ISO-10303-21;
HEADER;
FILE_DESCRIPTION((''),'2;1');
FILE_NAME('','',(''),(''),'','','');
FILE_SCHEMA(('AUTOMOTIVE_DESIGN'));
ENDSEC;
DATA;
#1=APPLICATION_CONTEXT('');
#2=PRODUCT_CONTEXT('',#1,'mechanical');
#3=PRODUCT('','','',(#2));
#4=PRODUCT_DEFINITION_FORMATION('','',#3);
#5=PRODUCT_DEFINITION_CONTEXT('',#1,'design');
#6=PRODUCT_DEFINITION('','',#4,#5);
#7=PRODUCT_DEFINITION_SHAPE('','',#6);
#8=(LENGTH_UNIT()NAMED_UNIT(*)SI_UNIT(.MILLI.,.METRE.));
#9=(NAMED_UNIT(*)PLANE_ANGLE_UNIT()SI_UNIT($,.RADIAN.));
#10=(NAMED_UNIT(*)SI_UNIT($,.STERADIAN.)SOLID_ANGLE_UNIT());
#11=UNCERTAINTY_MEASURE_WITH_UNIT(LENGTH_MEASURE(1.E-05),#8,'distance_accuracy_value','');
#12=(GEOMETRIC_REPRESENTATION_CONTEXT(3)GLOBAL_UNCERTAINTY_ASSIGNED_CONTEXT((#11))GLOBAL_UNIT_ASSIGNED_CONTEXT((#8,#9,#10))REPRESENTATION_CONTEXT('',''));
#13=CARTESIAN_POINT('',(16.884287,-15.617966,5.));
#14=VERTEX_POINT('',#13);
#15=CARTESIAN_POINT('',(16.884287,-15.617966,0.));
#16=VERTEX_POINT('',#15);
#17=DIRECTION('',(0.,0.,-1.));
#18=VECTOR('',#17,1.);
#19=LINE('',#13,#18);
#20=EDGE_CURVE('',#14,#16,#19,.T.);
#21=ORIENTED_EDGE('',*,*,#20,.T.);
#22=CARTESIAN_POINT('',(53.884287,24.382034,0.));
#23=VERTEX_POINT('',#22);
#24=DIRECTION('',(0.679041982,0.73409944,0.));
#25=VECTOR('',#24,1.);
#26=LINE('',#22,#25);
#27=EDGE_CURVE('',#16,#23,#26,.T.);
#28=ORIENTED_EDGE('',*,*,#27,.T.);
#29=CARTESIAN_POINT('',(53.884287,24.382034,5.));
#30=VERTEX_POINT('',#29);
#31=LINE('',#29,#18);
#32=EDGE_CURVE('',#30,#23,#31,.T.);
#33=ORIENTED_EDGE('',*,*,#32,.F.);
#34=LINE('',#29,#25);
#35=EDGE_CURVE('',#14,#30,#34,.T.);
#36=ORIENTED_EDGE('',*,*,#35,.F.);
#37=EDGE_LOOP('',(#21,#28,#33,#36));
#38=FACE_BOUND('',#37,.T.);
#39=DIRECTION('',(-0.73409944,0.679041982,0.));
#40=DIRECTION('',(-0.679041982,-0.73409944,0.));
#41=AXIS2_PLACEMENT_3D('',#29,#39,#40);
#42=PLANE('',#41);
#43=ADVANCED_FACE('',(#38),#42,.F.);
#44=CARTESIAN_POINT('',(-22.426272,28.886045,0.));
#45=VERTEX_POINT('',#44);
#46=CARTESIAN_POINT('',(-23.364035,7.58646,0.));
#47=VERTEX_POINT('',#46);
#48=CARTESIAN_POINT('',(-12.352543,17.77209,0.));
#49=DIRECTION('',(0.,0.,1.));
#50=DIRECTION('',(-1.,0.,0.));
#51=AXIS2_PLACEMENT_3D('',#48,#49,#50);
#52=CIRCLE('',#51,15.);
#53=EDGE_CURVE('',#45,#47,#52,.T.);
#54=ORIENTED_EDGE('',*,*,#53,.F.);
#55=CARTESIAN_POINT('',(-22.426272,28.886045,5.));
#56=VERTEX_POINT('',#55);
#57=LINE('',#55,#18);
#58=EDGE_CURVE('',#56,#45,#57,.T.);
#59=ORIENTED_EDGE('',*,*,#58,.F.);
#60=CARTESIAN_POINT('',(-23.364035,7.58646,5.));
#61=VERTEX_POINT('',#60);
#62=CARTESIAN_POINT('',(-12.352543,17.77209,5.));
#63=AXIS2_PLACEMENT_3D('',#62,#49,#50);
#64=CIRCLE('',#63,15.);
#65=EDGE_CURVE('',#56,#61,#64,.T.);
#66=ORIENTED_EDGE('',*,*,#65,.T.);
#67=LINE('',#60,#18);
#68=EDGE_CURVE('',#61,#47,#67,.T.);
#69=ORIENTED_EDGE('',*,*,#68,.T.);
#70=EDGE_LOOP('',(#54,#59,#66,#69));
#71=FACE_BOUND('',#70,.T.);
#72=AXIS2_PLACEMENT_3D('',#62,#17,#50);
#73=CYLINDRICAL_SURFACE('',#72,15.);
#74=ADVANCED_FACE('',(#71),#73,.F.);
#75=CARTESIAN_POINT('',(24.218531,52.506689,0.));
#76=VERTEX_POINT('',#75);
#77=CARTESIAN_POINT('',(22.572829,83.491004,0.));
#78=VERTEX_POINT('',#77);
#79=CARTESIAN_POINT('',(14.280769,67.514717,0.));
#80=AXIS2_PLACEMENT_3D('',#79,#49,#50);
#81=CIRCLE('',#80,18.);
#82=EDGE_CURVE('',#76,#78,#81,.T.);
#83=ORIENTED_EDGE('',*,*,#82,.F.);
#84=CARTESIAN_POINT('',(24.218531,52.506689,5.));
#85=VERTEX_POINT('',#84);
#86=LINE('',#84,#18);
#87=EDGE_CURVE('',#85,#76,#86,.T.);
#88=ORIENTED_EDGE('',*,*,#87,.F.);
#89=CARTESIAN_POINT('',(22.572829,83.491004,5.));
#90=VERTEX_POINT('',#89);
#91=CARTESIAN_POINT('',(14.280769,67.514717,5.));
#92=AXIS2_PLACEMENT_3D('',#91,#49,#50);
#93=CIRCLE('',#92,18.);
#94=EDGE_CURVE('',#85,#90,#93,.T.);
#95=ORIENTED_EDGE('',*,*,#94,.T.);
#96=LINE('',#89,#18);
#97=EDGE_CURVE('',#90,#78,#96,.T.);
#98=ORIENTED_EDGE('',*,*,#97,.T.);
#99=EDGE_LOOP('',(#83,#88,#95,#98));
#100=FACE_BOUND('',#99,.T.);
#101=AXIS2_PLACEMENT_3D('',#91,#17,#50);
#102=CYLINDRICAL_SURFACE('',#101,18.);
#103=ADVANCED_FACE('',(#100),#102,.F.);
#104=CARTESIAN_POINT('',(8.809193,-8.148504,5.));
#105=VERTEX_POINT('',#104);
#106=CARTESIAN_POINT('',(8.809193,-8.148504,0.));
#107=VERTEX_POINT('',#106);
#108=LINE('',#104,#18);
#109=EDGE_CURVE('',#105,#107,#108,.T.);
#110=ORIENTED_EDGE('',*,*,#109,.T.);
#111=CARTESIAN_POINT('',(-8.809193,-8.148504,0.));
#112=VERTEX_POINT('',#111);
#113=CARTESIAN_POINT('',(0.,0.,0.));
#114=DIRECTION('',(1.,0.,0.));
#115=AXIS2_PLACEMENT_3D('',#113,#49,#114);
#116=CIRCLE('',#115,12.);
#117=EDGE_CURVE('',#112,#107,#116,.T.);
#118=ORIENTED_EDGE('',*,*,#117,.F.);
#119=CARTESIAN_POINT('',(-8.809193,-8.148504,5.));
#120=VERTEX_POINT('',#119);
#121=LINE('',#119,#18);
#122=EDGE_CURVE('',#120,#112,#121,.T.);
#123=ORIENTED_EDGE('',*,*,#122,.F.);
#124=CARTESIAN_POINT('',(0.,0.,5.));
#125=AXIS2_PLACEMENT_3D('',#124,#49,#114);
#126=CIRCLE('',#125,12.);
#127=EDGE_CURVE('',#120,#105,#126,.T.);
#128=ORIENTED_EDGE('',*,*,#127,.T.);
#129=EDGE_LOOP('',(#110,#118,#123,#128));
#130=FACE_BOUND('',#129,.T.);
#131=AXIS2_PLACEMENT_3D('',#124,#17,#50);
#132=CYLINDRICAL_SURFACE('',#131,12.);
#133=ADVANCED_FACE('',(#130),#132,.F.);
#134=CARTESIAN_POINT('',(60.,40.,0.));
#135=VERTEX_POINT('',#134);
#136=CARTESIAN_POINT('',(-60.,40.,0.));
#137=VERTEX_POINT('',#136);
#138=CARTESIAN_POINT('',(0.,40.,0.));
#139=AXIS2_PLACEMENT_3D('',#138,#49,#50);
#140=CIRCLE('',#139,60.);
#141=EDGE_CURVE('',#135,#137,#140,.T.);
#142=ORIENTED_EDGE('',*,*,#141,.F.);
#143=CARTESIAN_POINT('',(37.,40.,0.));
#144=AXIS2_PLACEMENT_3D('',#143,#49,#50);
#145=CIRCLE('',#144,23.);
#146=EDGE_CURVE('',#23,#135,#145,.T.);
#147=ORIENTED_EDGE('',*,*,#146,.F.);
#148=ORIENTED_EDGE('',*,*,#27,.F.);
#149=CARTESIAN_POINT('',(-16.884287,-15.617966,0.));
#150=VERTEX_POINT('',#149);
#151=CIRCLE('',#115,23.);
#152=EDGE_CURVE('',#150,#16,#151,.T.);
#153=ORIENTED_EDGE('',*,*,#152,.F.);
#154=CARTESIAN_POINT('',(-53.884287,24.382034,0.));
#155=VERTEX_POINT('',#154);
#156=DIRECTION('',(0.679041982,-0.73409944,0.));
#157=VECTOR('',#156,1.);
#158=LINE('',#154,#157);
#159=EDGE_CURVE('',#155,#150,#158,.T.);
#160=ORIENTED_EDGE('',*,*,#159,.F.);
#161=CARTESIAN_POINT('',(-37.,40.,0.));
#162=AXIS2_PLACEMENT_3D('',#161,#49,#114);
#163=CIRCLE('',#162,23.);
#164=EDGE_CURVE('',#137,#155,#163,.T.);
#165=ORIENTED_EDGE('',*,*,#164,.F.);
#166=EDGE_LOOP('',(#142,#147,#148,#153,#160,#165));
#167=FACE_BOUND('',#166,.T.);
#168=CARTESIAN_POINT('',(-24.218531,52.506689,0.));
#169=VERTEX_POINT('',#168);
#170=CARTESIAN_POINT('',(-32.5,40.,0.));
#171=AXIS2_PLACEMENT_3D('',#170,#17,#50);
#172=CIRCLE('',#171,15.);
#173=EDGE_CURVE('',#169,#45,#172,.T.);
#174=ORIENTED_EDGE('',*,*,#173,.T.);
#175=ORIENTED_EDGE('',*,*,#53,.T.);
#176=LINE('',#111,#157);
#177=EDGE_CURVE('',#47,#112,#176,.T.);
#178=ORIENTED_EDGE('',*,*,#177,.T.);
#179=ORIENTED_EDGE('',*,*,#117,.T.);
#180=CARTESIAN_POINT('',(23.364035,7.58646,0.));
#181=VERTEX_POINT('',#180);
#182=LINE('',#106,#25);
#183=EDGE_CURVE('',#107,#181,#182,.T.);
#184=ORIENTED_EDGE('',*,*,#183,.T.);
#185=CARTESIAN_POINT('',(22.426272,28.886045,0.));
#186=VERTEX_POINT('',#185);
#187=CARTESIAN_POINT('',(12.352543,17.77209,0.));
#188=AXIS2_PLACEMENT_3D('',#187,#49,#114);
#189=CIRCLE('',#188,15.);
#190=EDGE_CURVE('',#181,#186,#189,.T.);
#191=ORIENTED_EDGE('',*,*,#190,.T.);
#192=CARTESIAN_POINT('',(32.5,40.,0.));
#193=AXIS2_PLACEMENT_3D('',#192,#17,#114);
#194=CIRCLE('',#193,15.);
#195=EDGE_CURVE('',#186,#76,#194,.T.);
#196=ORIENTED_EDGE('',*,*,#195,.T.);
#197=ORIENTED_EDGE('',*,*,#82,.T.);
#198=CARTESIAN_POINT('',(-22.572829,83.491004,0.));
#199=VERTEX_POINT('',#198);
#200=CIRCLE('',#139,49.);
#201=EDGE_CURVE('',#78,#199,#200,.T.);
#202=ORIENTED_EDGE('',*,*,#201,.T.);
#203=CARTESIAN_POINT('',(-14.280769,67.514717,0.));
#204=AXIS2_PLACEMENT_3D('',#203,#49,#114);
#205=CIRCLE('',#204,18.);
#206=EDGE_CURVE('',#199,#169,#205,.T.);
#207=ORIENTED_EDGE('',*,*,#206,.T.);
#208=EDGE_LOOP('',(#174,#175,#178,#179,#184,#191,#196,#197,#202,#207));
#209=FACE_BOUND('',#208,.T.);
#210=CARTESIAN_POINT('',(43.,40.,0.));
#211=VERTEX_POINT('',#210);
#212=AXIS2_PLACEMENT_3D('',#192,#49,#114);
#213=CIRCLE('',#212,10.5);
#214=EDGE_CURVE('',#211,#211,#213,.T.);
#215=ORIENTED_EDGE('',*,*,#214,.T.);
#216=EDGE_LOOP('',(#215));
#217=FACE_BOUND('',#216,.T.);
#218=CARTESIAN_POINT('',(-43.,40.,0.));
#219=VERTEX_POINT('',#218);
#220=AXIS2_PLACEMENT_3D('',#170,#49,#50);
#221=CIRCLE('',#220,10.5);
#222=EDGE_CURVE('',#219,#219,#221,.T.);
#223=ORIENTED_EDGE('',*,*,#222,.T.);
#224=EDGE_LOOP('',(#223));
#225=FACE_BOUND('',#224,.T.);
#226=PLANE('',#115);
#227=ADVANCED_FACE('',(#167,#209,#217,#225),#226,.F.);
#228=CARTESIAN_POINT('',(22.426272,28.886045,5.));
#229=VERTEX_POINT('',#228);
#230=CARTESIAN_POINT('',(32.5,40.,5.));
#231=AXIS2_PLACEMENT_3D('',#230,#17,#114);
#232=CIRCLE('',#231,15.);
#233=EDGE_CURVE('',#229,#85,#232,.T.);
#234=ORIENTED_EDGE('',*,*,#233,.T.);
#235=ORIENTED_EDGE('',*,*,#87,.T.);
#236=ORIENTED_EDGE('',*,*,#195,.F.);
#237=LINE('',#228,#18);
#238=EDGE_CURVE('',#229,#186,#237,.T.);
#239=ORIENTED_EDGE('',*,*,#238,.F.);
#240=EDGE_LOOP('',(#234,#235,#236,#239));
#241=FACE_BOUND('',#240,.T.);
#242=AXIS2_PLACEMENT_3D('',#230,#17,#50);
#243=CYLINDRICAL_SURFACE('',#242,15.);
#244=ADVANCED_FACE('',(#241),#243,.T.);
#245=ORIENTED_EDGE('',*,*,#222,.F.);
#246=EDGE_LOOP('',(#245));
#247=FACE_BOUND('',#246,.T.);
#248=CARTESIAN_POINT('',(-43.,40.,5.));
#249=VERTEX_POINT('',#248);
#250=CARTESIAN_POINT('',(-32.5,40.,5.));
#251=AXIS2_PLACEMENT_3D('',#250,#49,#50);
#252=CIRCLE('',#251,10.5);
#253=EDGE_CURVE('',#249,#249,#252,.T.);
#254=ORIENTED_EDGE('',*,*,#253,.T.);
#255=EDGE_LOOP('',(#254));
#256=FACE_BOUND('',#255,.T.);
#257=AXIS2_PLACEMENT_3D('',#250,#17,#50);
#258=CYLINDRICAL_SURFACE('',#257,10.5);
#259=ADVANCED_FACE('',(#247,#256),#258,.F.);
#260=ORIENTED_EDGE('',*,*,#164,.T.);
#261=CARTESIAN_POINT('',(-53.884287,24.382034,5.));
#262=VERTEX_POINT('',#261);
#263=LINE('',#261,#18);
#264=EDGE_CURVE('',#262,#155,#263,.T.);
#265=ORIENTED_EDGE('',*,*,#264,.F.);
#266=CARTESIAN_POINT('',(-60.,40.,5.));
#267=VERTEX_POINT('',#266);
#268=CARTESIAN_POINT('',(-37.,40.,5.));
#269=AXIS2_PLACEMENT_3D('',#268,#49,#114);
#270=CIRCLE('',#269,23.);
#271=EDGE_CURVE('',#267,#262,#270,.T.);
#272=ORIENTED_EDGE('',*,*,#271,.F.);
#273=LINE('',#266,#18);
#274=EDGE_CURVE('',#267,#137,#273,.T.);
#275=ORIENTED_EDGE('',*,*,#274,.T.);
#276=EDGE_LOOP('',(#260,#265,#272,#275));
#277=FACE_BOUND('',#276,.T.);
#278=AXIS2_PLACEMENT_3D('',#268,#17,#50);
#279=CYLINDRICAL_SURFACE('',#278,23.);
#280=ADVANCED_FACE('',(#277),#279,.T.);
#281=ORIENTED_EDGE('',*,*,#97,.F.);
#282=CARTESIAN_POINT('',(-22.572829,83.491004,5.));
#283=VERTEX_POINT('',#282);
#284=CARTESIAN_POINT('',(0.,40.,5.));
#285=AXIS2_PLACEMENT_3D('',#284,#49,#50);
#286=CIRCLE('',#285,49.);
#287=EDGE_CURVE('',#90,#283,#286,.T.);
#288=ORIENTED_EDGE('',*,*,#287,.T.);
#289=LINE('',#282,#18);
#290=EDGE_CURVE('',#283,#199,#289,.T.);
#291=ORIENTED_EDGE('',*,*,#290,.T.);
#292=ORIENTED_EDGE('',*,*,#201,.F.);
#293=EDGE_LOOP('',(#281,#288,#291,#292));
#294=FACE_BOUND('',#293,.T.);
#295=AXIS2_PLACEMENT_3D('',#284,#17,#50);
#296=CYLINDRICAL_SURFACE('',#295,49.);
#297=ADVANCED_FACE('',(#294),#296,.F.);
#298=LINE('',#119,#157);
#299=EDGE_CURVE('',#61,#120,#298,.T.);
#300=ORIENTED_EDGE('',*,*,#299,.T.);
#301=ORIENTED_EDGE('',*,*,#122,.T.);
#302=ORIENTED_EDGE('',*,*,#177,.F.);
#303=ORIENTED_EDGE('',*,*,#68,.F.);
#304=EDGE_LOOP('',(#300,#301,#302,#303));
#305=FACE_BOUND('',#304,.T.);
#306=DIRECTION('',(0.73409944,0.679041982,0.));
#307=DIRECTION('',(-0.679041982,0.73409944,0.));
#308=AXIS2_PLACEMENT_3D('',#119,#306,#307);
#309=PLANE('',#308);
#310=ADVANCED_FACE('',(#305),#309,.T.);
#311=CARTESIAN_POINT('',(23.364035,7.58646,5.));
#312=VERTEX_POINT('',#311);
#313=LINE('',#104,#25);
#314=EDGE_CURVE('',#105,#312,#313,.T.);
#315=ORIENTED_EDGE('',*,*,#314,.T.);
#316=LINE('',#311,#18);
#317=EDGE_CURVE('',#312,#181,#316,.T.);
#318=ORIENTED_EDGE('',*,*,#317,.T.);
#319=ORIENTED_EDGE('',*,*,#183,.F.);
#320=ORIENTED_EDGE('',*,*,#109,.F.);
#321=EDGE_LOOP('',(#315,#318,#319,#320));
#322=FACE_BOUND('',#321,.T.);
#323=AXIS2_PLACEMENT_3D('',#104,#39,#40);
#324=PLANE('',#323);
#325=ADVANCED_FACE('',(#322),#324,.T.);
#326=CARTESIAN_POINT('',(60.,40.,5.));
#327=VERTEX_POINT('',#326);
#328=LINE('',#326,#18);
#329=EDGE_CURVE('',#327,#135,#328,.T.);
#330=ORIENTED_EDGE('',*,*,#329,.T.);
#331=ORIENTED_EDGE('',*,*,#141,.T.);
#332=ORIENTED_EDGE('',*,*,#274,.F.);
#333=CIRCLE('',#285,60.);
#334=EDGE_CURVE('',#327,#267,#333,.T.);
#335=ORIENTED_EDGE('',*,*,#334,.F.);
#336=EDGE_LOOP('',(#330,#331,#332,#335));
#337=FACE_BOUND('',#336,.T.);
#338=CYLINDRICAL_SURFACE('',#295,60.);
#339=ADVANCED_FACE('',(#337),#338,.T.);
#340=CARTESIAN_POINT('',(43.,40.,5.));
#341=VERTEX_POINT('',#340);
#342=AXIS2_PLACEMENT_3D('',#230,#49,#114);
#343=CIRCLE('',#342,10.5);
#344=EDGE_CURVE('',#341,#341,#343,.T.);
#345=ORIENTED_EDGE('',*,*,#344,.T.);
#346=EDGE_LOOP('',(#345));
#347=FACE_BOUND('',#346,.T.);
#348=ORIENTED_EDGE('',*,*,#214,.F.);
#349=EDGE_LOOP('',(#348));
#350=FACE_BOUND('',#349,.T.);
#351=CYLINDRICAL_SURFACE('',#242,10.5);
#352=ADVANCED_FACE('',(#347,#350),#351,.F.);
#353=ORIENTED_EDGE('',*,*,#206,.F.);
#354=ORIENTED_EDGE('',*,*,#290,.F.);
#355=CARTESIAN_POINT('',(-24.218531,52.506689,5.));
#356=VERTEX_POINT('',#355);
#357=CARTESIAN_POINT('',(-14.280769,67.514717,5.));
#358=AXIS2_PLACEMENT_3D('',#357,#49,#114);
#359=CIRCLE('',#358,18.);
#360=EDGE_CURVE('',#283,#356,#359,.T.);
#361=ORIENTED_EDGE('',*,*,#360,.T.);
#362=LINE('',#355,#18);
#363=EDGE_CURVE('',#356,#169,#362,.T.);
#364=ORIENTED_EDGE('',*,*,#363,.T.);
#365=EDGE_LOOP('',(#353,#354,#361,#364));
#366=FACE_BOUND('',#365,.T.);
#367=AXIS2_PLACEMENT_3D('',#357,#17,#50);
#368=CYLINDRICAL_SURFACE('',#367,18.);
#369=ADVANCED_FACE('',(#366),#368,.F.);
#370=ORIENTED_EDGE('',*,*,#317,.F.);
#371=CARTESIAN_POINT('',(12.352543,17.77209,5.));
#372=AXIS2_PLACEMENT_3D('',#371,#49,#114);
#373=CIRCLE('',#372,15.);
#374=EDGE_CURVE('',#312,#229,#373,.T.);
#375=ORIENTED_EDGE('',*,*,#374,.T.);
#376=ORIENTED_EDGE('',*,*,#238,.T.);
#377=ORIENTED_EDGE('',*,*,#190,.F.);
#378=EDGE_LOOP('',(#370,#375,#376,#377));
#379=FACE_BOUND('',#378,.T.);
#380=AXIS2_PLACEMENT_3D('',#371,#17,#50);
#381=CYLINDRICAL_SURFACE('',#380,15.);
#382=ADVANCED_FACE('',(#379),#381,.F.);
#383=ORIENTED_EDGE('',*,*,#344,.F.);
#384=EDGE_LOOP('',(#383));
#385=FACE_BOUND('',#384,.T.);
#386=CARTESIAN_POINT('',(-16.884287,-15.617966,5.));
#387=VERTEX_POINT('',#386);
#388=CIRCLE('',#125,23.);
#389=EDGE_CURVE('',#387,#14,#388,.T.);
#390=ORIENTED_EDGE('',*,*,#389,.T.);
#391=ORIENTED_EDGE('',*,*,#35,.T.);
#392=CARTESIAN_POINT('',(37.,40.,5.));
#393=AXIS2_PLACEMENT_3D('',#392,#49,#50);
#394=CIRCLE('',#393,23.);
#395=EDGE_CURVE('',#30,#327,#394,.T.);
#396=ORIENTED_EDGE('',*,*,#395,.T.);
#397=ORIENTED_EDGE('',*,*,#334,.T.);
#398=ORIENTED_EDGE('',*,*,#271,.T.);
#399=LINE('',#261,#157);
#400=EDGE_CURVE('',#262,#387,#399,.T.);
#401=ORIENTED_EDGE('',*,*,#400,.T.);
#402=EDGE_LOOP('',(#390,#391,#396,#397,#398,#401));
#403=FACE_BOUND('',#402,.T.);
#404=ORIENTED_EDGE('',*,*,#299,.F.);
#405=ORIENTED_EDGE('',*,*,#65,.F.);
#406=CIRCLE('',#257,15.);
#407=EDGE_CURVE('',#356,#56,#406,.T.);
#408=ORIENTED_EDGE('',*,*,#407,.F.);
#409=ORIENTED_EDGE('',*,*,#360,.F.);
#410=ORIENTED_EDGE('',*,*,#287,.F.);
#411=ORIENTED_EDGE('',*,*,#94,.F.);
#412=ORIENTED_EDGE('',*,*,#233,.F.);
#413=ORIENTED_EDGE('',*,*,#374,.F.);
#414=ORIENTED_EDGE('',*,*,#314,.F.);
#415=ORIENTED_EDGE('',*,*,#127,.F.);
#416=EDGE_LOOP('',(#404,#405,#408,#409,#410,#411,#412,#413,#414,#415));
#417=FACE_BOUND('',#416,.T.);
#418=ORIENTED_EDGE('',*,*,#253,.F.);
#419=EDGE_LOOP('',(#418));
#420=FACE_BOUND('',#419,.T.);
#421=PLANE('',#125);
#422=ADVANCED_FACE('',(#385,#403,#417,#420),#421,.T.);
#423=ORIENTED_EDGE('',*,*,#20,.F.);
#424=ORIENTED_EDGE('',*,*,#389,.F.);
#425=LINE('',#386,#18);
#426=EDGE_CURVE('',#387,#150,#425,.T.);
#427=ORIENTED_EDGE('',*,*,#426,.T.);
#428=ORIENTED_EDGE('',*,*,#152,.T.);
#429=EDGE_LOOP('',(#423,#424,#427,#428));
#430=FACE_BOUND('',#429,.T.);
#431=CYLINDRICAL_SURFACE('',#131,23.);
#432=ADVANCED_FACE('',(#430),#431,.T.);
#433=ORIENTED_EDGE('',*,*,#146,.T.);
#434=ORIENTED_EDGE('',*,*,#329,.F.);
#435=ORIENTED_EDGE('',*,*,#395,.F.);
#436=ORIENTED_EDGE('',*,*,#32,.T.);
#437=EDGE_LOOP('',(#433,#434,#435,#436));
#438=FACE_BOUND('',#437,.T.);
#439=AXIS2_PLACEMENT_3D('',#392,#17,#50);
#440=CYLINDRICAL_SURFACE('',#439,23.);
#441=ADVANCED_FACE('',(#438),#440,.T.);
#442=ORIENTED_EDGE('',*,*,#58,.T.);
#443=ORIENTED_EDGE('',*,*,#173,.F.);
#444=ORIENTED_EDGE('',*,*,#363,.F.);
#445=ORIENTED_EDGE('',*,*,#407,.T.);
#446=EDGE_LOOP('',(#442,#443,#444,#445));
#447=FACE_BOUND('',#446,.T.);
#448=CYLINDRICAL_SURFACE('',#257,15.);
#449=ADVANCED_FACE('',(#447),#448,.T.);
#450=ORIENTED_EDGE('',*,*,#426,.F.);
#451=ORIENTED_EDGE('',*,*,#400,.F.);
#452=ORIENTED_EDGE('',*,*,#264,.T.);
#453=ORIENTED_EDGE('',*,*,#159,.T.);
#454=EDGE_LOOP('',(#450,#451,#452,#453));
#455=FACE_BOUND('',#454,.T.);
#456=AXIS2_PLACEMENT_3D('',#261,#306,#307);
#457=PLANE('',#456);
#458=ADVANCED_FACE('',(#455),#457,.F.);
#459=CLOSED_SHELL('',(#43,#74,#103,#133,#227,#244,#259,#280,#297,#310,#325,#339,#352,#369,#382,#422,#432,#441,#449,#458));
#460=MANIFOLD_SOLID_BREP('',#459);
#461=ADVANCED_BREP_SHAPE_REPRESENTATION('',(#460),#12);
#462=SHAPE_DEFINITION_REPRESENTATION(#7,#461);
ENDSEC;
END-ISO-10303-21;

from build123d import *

# Parameters (mm, degrees)
SKETCH2_R           = 10.5
BOSS_EXTRUDE1_DEPTH = 5


with BuildPart() as part:
    # Sketch2 → Boss-Extrude1 (new body)
    with BuildSketch(Plane.XY):
        with BuildLine():
            Line((53.88428711, 24.382034423), (16.88428711, -15.617965577))
            ThreePointArc((16.88428711, -15.617965577), (0, -23), (-16.88428711, -15.617965577))
            Line((-16.88428711, -15.617965577), (-53.88428711, 24.382034423))
            ThreePointArc((-53.88428711, 24.382034423), (-58.416566059, 31.613660022), (-60, 40))
            ThreePointArc((-60, 40), (0, 100), (60, 40))
            ThreePointArc((60, 40), (58.416566059, 31.613660022), (53.88428711, 24.382034423))
        make_face()
        with Locations((32.5, 40)):
            Circle(SKETCH2_R, mode=Mode.SUBTRACT)
        with Locations(Location((-32.5, 40, 0), (0, 0, 180))):
            Circle(SKETCH2_R, mode=Mode.SUBTRACT)
        with BuildLine():
            Line((8.809193275, -8.148503779), (23.364034903, 7.586460143))
            ThreePointArc((23.364034903, 7.586460143), (27.338026386, 18.431860253), (22.426271655, 28.886044933))
            ThreePointArc((22.426271655, 28.886044933), (17.542994151, 41.134890312), (24.218531469, 52.506689369))
            ThreePointArc((24.218531469, 52.506689369), (32.255432897, 68.469423949), (22.572828784, 83.491003675))
            ThreePointArc((22.572828784, 83.491003675), (0, 89), (-22.572828784, 83.491003675))
            ThreePointArc((-22.572828784, 83.491003675), (-32.255432897, 68.469423949), (-24.218531469, 52.506689369))
            ThreePointArc((-24.218531469, 52.506689369), (-17.542994151, 41.134890312), (-22.426271655, 28.886044933))
            ThreePointArc((-22.426271655, 28.886044933), (-27.338026386, 18.431860253), (-23.364034903, 7.586460143))
            Line((-23.364034903, 7.586460143), (-8.809193275, -8.148503779))
            ThreePointArc((-8.809193275, -8.148503779), (0, -12), (8.809193275, -8.148503779))
        make_face(mode=Mode.SUBTRACT)
    extrude(amount=BOSS_EXTRUDE1_DEPTH)


solid = part.part
